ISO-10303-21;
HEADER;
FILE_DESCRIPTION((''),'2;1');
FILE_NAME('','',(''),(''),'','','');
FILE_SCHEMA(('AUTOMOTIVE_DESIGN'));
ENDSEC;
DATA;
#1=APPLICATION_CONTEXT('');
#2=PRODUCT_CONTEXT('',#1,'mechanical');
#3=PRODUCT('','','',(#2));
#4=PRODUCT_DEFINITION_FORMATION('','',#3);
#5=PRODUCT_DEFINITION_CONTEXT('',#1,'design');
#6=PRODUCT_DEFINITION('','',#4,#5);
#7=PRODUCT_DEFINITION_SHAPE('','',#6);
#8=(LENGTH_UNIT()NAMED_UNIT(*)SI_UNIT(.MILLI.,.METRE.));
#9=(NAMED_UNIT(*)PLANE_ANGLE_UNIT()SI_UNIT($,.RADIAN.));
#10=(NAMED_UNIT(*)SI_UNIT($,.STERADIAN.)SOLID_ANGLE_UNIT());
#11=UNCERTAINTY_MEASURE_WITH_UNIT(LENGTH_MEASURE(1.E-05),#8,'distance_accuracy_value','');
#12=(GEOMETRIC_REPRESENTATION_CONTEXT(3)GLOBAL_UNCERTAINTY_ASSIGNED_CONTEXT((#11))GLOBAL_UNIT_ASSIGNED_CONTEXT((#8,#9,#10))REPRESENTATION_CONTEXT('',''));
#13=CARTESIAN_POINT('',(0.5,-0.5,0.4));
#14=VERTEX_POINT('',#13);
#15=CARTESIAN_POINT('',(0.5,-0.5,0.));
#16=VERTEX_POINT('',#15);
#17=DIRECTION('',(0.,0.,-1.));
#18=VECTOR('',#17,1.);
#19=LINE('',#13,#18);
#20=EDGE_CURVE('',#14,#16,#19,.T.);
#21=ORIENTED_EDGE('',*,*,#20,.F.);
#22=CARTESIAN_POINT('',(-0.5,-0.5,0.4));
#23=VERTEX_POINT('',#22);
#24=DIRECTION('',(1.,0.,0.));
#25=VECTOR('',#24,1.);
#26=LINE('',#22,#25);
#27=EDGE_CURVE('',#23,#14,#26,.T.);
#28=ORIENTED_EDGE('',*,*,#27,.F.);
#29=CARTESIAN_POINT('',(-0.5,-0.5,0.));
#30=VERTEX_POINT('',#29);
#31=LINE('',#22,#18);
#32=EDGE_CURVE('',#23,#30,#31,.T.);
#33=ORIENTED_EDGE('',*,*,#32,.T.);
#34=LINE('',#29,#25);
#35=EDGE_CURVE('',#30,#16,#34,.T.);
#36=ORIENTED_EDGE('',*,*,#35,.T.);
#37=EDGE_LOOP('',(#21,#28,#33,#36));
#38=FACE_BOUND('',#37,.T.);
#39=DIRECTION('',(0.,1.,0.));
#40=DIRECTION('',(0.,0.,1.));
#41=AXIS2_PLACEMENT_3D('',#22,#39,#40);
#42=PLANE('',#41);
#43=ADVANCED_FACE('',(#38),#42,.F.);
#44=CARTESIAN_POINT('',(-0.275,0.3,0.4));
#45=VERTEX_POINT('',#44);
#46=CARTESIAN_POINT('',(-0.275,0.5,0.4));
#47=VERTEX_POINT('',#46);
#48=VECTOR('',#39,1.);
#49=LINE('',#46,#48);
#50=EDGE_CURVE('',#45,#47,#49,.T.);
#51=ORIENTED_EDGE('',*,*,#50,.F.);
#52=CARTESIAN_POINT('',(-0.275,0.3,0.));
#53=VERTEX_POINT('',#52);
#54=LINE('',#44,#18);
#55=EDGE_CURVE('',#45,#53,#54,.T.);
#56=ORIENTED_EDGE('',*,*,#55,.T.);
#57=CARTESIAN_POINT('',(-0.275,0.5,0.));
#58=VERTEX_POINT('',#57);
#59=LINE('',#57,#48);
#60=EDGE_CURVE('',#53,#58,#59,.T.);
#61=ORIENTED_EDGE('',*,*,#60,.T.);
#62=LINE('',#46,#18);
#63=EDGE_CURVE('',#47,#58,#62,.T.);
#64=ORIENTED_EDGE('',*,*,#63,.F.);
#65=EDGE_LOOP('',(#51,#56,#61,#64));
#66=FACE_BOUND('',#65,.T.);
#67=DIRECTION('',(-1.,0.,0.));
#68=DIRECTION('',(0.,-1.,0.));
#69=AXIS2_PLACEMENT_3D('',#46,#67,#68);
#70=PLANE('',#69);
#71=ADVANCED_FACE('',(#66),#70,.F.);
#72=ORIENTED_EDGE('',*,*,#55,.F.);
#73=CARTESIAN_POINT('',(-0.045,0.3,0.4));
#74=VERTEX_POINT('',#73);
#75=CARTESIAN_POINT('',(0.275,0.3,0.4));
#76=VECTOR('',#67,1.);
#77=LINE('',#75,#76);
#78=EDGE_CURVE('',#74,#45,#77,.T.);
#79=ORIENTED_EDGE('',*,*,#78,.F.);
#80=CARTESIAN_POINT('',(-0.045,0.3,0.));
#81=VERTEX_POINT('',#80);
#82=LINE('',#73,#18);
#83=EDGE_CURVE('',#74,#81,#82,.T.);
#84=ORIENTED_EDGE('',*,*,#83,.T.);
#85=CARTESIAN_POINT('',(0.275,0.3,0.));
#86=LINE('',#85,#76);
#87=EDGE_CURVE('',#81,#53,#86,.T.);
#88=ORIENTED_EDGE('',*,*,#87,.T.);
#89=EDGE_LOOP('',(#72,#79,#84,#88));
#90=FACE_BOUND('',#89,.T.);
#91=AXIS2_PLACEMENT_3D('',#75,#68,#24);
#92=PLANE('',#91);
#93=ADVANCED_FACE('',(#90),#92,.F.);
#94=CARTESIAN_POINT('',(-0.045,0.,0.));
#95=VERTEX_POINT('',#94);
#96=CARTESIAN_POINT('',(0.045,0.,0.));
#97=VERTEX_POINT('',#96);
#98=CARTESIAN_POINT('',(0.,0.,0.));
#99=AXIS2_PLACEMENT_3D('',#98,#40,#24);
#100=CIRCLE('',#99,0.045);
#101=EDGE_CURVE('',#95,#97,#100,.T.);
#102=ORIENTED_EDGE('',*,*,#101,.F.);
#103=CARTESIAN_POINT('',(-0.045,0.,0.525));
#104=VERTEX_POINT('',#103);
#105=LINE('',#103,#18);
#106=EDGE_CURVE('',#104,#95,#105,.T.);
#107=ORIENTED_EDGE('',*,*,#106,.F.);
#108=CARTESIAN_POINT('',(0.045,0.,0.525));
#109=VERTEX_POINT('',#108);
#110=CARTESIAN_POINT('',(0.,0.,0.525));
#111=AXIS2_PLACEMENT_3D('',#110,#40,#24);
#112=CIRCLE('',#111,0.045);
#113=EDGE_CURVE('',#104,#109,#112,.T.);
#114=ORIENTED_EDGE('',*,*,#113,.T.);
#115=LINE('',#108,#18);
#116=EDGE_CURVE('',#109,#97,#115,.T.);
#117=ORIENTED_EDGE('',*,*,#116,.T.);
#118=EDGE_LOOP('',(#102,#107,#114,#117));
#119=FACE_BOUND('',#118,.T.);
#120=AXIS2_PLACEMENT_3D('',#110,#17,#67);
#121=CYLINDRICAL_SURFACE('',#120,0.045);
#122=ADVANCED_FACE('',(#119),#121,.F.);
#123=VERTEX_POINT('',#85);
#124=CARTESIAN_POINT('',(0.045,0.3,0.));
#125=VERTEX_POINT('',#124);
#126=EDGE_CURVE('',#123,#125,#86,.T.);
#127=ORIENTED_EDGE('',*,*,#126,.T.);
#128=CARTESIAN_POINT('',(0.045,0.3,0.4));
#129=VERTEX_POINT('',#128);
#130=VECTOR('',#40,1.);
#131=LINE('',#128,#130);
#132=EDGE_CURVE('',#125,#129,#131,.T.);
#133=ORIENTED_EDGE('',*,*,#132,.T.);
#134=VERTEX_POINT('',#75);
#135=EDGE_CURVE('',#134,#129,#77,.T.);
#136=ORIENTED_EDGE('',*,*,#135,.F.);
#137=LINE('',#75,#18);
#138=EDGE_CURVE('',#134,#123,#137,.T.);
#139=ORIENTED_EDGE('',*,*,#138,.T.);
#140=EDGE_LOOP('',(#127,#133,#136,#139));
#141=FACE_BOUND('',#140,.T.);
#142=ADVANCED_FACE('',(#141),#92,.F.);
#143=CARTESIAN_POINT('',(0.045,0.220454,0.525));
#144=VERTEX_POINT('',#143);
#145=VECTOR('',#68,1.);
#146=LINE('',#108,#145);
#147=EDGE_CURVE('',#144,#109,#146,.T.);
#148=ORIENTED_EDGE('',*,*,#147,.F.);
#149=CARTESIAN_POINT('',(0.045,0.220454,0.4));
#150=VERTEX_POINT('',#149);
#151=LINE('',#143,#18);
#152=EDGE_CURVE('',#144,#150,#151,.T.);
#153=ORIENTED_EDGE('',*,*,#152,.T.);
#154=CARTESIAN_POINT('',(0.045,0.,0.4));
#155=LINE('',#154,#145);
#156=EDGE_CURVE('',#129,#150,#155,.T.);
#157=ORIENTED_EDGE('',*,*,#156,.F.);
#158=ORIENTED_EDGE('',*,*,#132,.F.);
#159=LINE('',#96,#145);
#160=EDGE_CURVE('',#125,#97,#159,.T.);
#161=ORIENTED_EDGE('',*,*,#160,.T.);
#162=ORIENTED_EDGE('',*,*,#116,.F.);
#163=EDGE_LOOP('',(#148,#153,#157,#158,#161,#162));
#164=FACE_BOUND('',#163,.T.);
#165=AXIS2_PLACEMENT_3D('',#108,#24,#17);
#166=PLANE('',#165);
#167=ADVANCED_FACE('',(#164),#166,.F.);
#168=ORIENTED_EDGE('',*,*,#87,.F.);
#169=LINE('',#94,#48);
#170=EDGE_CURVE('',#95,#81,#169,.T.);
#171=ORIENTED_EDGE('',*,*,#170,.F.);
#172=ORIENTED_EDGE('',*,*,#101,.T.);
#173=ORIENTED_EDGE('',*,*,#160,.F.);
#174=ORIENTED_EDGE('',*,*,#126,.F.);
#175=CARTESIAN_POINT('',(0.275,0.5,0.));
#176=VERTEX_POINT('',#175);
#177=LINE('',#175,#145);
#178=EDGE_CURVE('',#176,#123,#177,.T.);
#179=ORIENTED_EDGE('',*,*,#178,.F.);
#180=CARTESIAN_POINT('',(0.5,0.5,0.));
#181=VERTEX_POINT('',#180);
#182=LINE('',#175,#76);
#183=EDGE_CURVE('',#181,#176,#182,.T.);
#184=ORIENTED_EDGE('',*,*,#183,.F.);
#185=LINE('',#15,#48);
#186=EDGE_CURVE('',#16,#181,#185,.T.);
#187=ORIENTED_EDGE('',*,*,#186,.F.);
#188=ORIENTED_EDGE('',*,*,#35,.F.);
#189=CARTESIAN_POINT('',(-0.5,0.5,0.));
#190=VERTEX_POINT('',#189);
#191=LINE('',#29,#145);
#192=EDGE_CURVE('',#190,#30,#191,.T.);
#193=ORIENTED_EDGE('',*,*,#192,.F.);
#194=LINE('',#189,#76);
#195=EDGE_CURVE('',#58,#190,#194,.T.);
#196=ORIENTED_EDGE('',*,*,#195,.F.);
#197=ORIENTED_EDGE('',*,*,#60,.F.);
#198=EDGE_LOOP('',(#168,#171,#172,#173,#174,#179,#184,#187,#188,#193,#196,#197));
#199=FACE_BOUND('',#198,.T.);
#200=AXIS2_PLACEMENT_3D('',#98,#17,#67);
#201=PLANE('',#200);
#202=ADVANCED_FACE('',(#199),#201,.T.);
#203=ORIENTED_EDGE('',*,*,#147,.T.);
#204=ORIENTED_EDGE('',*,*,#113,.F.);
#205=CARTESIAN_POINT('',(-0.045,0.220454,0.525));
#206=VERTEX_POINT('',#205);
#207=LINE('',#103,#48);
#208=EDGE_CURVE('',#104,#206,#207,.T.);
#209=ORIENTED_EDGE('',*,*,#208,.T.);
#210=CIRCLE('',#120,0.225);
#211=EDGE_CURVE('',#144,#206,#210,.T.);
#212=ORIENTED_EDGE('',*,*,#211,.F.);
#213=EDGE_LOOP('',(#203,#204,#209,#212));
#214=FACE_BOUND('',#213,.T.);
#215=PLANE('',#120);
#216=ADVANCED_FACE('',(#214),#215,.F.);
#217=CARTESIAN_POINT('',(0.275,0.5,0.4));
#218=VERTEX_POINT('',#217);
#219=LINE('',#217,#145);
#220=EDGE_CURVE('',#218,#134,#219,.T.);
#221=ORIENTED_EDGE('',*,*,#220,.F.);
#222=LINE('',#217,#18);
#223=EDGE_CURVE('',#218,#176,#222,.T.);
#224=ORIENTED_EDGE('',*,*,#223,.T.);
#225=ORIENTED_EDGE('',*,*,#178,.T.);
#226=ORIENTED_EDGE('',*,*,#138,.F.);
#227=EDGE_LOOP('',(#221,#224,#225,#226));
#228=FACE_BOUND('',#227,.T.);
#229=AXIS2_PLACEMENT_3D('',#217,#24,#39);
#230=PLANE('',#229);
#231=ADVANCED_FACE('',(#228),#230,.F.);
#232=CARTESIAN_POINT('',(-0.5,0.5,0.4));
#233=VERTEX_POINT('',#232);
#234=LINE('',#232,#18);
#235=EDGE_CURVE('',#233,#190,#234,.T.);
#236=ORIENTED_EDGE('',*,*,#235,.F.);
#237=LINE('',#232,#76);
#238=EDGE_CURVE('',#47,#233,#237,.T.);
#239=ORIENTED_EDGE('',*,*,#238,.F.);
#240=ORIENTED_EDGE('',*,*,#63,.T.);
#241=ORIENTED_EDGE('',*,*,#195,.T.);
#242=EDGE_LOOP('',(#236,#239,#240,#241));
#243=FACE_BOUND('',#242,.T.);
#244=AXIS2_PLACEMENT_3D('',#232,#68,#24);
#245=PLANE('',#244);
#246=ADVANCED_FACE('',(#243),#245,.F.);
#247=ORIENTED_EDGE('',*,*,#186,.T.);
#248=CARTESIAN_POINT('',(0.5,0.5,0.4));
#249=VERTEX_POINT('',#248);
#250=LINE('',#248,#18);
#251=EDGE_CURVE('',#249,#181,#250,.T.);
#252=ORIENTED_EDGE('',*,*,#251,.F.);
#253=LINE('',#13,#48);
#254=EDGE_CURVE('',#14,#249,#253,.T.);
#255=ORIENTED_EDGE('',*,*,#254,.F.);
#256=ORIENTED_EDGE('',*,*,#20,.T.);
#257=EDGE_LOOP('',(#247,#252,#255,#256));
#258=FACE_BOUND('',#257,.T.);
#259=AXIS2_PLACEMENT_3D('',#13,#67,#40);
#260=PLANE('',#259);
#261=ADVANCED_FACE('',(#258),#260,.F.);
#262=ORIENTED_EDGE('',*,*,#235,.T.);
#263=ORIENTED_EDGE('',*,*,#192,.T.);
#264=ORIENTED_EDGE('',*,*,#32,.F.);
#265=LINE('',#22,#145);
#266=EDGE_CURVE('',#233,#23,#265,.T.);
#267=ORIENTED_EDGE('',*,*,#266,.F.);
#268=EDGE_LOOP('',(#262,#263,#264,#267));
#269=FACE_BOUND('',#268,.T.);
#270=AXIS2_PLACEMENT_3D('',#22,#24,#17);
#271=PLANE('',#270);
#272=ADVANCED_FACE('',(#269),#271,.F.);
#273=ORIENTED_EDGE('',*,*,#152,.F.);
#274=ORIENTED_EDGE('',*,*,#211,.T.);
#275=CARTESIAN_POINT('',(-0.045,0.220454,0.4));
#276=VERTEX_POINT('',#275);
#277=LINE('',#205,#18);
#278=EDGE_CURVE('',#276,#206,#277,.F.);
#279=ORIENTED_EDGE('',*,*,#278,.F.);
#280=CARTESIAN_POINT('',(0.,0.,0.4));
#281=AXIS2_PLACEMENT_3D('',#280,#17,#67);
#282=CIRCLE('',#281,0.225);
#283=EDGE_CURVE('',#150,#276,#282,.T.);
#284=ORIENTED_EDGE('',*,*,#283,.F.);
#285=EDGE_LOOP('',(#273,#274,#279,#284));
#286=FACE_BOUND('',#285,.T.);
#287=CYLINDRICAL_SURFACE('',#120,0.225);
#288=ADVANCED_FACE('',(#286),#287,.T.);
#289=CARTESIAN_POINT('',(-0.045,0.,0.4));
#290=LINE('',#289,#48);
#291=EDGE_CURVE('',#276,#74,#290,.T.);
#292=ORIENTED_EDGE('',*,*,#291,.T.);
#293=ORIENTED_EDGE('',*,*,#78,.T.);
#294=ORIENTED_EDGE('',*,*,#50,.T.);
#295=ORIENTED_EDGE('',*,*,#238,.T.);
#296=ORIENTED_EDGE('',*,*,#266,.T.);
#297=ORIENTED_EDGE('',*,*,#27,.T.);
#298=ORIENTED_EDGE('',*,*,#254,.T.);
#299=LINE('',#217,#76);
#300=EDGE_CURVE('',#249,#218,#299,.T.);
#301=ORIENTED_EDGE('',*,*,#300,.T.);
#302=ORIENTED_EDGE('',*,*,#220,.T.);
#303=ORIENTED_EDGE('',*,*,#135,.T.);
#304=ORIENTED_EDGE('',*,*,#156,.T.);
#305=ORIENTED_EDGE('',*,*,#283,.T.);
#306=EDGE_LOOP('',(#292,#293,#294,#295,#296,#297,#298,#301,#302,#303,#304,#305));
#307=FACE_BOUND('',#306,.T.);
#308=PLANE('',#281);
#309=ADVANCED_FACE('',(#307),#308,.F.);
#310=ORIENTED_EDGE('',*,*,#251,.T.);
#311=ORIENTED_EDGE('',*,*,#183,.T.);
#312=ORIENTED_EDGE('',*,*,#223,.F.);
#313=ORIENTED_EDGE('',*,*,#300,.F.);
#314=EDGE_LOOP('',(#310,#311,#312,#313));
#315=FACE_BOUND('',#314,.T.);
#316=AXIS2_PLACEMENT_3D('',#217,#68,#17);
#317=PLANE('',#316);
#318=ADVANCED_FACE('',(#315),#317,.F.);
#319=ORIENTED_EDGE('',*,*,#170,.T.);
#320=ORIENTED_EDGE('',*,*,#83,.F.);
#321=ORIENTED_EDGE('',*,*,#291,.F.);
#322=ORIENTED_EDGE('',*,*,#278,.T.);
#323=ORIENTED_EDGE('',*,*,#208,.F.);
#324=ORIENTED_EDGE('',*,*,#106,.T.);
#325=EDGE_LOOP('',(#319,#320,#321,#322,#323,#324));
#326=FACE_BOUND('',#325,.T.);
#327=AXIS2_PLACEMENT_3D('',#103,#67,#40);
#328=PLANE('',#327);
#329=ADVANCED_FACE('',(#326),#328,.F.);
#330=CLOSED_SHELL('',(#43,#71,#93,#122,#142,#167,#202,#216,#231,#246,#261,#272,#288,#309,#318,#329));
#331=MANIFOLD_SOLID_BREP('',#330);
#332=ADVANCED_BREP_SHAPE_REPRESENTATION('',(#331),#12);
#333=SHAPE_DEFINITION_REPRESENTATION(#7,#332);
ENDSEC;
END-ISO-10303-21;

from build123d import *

# Parameters (mm, degrees)
BOSS_EXTRUDE1_DEPTH = 0.4
SKETCH2_R           = 0.225
BOSS_EXTRUDE2_DEPTH = 0.525
SKETCH3_R           = 0.045
CUT_EXTRUDE1_DEPTH  = 1.880695748
SKETCH5_W           = 0.09
SKETCH5_H           = 0.5
CUT_EXTRUDE2_DEPTH  = 1.880695748


with BuildPart() as part:
    # Sketch1 → Boss-Extrude1 (new body)
    with BuildSketch(Plane.XY):
        Polygon((0.275, 0.5), (0.5, 0.5), (0.5, -0.5), (-0.5, -0.5), (-0.5, 0.5), (-0.275, 0.5), (-0.275, 0.3), (0.275, 0.3), align=None)
    extrude(amount=BOSS_EXTRUDE1_DEPTH)

    # Sketch2 → Boss-Extrude2 (add)
    with BuildSketch(Plane(origin=(0, 0, 0), x_dir=(-1, 0, 0), z_dir=(0, 0, -1))):
        Circle(SKETCH2_R)
    extrude(amount=-BOSS_EXTRUDE2_DEPTH)

    # Sketch3 → Cut-Extrude1 (cut, through all)
    with BuildSketch(Plane.XY):
        Circle(SKETCH3_R)
    extrude(amount=CUT_EXTRUDE1_DEPTH, mode=Mode.SUBTRACT)

    # Sketch5 → Cut-Extrude2 (cut, through all)
    with BuildSketch(Plane(origin=(0, 0, 0), x_dir=(-1, 0, 0), z_dir=(0, 0, -1))):
        with Locations((0, 0.25)):
            Rectangle(SKETCH5_W, SKETCH5_H)
    extrude(amount=-CUT_EXTRUDE2_DEPTH, mode=Mode.SUBTRACT)


solid = part.part
